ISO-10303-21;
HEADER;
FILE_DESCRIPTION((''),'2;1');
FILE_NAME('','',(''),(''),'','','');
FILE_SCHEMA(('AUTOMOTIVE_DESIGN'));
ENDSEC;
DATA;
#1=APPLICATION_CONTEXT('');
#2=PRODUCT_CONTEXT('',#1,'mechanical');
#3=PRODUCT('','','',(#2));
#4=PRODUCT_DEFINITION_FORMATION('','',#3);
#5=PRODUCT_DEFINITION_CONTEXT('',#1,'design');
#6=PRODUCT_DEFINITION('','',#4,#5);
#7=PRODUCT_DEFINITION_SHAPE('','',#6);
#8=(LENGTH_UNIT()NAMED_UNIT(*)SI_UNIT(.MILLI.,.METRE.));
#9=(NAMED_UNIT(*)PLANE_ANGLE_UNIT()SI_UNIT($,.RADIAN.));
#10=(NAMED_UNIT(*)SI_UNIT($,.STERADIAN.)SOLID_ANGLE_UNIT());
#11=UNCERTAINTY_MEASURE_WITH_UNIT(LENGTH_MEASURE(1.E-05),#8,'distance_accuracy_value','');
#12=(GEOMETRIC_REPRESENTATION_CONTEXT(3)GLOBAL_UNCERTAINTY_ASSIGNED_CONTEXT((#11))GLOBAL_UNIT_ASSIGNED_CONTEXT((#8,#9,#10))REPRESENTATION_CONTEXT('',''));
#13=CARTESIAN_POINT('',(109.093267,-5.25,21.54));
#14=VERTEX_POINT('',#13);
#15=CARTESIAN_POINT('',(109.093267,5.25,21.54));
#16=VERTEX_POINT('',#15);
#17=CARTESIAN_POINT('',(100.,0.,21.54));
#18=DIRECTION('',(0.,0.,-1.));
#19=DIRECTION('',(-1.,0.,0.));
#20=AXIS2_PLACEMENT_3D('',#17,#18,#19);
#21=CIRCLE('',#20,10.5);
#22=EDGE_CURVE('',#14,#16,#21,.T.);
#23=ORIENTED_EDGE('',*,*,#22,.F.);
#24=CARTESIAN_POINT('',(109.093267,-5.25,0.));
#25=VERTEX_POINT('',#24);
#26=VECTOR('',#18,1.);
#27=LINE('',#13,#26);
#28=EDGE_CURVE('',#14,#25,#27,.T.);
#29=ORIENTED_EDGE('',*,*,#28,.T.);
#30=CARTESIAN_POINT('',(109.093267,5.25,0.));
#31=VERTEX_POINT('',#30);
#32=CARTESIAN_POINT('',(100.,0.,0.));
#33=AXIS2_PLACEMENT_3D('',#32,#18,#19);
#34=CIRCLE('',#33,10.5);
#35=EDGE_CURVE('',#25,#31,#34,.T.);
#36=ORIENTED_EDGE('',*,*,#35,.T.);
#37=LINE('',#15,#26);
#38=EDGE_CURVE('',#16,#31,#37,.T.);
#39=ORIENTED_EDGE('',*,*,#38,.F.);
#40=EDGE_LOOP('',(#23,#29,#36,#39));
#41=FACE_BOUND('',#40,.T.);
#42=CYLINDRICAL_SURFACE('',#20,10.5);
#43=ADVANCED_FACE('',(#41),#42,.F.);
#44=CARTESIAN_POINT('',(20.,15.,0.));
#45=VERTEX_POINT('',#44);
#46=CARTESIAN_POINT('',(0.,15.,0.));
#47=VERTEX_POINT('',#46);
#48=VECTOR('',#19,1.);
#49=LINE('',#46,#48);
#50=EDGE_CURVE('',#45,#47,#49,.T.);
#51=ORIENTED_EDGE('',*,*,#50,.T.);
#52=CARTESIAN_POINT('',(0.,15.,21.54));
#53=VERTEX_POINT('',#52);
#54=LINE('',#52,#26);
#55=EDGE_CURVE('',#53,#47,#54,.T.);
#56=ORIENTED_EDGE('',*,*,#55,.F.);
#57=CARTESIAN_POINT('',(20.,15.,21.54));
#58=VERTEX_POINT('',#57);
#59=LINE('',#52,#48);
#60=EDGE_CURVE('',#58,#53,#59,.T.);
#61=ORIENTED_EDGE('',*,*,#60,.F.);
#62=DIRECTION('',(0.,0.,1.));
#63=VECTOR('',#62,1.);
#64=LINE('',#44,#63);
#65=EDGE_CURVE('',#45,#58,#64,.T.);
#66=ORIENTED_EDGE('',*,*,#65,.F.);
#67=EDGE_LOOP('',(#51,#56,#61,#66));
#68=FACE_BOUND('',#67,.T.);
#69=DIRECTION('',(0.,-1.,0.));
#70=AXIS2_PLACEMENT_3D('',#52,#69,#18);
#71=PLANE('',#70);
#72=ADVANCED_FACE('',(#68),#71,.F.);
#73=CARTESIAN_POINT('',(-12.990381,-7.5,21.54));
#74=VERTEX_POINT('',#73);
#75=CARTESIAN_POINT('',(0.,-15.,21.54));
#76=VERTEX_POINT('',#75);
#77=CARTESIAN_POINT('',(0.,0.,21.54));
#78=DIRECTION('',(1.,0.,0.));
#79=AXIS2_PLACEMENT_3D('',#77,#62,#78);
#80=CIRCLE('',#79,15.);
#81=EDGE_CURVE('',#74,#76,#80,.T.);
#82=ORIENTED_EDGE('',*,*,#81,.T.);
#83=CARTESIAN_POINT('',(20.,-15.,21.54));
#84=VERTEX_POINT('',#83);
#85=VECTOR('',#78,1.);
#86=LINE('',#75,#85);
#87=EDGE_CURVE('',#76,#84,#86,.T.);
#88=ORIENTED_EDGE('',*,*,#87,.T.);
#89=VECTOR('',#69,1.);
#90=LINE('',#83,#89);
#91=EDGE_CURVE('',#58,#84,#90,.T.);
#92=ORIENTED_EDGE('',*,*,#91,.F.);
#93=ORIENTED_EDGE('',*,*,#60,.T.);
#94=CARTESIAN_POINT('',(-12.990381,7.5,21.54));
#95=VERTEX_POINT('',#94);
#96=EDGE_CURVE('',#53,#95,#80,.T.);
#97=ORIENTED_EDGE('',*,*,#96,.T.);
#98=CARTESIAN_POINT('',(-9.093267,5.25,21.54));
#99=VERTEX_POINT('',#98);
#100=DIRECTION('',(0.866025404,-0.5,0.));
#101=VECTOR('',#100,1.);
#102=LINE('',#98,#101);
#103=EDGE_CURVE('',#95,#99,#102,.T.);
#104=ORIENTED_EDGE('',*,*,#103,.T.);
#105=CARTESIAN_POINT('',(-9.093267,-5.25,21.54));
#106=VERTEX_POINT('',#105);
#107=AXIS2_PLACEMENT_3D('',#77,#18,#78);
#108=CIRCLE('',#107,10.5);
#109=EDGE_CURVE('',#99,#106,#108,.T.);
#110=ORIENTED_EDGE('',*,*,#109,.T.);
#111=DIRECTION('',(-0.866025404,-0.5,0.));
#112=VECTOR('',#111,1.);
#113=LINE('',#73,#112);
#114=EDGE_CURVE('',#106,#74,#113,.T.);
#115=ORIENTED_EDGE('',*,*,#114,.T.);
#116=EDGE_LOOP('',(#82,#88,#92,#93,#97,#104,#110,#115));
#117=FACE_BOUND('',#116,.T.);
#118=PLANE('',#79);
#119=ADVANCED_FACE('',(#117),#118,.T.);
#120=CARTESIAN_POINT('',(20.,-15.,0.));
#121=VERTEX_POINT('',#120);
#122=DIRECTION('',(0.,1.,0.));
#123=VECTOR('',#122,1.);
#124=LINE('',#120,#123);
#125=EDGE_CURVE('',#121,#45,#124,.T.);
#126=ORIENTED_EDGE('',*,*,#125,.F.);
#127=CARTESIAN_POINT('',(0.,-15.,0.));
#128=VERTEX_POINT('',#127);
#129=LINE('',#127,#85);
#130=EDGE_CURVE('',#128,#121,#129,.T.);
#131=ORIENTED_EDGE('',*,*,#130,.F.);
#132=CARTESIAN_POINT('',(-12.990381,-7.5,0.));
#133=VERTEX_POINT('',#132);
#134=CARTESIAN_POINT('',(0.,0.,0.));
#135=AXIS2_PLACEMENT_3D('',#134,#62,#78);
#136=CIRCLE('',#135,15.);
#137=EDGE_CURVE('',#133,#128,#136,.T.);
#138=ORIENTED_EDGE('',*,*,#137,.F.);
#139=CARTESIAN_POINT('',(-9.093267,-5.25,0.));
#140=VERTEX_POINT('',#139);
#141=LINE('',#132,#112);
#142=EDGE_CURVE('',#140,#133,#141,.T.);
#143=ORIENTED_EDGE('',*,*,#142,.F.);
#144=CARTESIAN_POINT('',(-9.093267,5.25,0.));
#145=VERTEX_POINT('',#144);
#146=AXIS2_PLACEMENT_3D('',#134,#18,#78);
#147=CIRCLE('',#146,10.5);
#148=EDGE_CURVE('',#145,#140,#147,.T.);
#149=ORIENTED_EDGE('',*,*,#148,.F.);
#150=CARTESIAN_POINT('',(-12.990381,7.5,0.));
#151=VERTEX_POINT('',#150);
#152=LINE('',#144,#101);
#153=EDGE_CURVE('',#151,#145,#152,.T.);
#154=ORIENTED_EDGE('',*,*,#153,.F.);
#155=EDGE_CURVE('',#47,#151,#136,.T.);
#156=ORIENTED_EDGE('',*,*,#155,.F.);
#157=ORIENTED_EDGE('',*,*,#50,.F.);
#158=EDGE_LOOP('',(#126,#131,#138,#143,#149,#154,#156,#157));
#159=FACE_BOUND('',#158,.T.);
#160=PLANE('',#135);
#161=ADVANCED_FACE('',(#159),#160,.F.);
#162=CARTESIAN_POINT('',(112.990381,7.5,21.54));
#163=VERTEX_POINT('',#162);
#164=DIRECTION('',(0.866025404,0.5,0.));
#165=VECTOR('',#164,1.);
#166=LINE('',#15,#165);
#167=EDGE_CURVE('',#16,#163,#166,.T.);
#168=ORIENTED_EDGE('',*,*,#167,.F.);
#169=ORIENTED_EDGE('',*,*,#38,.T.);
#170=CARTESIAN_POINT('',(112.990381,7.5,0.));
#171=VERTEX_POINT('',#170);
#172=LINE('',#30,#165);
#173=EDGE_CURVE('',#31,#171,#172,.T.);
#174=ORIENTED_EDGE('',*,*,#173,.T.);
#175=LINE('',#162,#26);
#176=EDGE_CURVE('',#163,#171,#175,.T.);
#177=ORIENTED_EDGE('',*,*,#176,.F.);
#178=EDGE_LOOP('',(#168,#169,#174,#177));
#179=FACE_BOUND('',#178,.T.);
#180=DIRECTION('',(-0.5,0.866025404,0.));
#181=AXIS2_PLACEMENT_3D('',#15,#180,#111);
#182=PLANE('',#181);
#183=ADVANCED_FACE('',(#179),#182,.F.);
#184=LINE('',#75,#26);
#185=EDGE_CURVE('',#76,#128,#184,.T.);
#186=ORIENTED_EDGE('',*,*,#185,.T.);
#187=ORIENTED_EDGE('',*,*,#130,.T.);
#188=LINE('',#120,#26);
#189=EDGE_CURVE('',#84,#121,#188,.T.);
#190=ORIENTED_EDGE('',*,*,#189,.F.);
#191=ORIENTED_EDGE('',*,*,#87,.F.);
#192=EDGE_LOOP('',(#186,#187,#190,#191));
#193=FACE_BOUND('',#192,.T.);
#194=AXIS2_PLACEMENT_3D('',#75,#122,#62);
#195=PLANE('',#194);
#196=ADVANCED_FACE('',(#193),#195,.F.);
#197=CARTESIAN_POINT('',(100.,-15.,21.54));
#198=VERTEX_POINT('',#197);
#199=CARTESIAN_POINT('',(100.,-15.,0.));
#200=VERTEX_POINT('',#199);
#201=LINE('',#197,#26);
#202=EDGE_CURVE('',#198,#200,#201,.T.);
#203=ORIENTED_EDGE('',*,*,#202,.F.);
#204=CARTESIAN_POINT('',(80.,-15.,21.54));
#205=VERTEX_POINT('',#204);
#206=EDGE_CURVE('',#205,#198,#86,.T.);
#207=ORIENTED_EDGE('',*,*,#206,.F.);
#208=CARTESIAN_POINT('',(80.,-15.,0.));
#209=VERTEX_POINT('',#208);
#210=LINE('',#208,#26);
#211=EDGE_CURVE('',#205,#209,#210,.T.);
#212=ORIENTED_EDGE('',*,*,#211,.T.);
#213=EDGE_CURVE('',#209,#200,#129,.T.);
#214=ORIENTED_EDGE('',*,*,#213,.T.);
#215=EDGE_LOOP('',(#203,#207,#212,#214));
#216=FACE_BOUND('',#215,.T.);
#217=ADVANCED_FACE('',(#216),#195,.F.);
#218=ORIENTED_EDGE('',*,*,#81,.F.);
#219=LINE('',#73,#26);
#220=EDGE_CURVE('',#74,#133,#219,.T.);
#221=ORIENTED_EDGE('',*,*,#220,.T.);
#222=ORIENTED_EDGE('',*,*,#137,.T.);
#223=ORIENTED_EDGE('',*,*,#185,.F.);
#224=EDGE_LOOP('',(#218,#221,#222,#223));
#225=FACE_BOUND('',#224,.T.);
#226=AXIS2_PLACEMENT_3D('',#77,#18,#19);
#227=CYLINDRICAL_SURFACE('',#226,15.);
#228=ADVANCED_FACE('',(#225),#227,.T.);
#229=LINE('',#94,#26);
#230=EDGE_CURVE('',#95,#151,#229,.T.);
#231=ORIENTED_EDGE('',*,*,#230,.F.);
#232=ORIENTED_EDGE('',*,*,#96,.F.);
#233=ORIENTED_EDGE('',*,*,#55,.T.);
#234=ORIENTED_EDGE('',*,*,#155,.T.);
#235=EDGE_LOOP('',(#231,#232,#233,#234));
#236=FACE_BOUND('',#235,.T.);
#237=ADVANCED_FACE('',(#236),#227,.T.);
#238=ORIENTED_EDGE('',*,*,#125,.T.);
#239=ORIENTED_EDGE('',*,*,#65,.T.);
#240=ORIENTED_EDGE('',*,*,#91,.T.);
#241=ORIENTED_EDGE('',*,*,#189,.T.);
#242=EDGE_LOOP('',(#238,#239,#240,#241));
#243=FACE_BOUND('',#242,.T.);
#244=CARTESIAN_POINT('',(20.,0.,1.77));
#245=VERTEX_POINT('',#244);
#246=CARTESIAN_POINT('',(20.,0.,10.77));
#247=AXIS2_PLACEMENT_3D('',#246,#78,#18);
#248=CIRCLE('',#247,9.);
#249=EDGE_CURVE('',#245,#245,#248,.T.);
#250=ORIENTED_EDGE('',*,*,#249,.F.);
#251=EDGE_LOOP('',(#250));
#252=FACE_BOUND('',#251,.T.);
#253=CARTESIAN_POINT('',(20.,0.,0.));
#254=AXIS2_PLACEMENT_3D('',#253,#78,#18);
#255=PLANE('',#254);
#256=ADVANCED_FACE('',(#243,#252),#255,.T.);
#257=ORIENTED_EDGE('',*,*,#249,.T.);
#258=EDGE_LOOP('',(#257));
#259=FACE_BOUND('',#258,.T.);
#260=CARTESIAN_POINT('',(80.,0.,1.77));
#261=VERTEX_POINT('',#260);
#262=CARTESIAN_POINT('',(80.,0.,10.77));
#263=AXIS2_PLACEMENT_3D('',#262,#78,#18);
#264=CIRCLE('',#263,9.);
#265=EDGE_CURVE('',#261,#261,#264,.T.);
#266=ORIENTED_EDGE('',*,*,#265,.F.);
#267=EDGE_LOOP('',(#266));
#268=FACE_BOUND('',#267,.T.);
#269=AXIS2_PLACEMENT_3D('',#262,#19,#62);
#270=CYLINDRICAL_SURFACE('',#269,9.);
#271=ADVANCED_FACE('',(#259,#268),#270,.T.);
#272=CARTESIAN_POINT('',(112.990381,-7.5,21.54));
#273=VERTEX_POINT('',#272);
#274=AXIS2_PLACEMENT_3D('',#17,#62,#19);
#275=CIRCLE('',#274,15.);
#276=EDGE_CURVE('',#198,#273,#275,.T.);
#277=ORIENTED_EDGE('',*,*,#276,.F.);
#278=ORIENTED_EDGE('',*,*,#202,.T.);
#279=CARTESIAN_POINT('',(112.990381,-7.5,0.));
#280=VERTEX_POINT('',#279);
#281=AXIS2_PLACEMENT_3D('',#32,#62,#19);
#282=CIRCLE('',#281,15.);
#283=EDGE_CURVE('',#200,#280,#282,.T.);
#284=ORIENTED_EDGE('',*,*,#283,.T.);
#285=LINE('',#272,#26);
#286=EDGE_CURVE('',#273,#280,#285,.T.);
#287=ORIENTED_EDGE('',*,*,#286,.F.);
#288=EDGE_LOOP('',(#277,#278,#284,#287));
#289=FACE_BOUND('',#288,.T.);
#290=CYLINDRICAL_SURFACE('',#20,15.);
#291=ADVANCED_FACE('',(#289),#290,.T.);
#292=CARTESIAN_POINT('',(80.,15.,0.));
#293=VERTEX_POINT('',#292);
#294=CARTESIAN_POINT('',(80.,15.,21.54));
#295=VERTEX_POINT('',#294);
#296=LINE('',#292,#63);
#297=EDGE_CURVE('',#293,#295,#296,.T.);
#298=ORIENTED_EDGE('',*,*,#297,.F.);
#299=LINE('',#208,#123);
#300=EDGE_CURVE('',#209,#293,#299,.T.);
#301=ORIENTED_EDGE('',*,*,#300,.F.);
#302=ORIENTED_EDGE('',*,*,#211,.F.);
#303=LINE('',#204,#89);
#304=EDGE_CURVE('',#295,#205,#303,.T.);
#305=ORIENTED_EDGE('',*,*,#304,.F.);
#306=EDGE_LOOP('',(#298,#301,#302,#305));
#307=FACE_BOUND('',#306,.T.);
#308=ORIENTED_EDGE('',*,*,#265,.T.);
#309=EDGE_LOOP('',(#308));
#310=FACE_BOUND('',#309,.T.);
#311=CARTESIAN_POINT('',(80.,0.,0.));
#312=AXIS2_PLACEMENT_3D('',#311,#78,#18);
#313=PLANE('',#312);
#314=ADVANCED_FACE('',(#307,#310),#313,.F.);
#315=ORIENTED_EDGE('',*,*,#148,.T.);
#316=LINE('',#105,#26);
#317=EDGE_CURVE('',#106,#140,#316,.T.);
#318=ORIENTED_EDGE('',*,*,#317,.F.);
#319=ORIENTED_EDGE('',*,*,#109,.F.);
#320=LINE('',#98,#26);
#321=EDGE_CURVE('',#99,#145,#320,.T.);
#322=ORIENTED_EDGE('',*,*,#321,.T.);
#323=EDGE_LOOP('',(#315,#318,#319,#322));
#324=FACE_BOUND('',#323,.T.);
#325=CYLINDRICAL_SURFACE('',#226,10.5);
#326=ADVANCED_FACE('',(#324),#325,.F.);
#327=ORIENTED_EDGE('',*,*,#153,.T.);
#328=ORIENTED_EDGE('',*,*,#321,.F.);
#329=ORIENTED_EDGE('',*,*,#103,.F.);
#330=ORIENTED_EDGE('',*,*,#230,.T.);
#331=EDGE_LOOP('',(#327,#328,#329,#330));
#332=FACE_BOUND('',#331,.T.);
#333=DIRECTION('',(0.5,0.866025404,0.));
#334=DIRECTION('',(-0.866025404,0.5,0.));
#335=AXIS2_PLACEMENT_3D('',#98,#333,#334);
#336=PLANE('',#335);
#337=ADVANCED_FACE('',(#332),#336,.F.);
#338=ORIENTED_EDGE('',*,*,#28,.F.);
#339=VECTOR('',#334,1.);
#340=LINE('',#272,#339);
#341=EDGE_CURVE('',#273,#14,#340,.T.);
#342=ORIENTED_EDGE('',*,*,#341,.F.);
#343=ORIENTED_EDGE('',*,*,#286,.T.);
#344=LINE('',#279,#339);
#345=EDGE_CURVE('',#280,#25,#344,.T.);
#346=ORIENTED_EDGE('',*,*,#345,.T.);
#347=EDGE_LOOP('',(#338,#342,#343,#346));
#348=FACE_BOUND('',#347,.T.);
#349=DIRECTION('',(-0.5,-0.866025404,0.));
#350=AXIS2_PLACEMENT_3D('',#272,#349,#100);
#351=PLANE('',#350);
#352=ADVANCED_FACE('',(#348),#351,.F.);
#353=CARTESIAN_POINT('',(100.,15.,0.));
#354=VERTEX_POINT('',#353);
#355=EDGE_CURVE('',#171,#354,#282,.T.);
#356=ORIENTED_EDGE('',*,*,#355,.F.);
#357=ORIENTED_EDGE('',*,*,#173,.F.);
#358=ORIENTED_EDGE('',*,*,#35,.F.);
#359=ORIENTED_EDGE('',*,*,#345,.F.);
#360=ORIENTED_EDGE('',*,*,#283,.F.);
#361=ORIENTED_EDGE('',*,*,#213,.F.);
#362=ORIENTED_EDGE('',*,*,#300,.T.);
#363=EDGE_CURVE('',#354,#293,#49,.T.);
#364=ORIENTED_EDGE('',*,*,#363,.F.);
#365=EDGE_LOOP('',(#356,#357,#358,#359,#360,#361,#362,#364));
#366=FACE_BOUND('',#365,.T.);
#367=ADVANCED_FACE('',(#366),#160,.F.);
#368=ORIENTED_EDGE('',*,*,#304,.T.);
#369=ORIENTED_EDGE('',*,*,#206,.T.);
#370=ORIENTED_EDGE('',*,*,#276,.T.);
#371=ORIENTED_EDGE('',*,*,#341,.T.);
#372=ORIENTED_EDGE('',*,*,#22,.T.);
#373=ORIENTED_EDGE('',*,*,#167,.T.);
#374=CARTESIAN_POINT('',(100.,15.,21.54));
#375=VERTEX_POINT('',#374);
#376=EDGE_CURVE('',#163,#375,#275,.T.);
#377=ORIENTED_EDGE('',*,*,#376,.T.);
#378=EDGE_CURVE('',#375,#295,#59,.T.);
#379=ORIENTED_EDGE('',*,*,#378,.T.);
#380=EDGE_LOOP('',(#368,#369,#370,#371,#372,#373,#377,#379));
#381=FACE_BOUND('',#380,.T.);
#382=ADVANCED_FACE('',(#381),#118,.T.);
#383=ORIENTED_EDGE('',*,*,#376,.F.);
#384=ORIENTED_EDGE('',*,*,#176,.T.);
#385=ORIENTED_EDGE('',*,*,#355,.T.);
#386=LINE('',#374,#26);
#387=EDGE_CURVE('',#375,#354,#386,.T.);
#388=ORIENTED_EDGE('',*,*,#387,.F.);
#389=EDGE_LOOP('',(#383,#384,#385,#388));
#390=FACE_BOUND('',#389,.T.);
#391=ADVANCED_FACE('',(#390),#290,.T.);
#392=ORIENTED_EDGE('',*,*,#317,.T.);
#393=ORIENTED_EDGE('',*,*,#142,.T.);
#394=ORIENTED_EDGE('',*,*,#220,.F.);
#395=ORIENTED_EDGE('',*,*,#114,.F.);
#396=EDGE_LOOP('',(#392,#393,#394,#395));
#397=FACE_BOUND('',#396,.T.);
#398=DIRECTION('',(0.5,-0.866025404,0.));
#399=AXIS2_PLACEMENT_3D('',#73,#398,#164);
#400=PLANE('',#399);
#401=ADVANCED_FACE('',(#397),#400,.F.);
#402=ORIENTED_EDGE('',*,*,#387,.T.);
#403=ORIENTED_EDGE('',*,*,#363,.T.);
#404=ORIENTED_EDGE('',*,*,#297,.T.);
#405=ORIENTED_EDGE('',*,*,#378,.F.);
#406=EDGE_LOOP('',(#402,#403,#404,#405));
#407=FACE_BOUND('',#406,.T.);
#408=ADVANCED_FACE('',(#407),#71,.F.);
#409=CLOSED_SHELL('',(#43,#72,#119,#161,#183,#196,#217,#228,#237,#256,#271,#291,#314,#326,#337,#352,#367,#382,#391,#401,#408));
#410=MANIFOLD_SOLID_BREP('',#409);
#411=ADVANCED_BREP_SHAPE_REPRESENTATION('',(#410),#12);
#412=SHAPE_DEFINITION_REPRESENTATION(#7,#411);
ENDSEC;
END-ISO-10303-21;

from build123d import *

# Parameters (mm, degrees)
ESTRUSIONE_ESTRUSIONE1_DEPTH = 21.54
SCHIZZO2_W                   = 21.54
SCHIZZO2_H                   = 30
SCHIZZO2_R                   = 9
TAGLIO_ESTRUSIONE1_DEPTH     = 60


with BuildPart() as part:
    # Schizzo1 → Estrusione-Estrusione1 (new body)
    with BuildSketch(Plane.XY):
        with BuildLine():
            Line((0, 15), (100, 15))
            ThreePointArc((100, 15), (107.5, 12.990381057), (112.990381057, 7.5))
            Line((112.990381057, 7.5), (109.09326674, 5.25))
            ThreePointArc((109.09326674, 5.25), (89.5, 0), (109.09326674, -5.25))
            Line((109.09326674, -5.25), (112.990381057, -7.5))
            ThreePointArc((112.990381057, -7.5), (107.5, -12.990381057), (100, -15))
            Line((100, -15), (0, -15))
            ThreePointArc((0, -15), (-7.5, -12.990381057), (-12.990381057, -7.5))
            Line((-12.990381057, -7.5), (-9.09326674, -5.25))
            ThreePointArc((-9.09326674, -5.25), (10.5, 0), (-9.09326674, 5.25))
            Line((-9.09326674, 5.25), (-12.990381057, 7.5))
            ThreePointArc((-12.990381057, 7.5), (-7.5, 12.990381057), (0, 15))
        make_face()
    extrude(amount=ESTRUSIONE_ESTRUSIONE1_DEPTH)

    # Schizzo2 → Taglio-Estrusione1 (cut)
    with BuildSketch(Plane(origin=(20, 0, 0), x_dir=(0, 0, -1), z_dir=(1, 0, 0))):
        with Locations((-10.77, 0)):
            Rectangle(SCHIZZO2_W, SCHIZZO2_H)
        with Locations((-10.77, 0)):
            Circle(SCHIZZO2_R, mode=Mode.SUBTRACT)
    extrude(amount=TAGLIO_ESTRUSIONE1_DEPTH, mode=Mode.SUBTRACT)


solid = part.part
